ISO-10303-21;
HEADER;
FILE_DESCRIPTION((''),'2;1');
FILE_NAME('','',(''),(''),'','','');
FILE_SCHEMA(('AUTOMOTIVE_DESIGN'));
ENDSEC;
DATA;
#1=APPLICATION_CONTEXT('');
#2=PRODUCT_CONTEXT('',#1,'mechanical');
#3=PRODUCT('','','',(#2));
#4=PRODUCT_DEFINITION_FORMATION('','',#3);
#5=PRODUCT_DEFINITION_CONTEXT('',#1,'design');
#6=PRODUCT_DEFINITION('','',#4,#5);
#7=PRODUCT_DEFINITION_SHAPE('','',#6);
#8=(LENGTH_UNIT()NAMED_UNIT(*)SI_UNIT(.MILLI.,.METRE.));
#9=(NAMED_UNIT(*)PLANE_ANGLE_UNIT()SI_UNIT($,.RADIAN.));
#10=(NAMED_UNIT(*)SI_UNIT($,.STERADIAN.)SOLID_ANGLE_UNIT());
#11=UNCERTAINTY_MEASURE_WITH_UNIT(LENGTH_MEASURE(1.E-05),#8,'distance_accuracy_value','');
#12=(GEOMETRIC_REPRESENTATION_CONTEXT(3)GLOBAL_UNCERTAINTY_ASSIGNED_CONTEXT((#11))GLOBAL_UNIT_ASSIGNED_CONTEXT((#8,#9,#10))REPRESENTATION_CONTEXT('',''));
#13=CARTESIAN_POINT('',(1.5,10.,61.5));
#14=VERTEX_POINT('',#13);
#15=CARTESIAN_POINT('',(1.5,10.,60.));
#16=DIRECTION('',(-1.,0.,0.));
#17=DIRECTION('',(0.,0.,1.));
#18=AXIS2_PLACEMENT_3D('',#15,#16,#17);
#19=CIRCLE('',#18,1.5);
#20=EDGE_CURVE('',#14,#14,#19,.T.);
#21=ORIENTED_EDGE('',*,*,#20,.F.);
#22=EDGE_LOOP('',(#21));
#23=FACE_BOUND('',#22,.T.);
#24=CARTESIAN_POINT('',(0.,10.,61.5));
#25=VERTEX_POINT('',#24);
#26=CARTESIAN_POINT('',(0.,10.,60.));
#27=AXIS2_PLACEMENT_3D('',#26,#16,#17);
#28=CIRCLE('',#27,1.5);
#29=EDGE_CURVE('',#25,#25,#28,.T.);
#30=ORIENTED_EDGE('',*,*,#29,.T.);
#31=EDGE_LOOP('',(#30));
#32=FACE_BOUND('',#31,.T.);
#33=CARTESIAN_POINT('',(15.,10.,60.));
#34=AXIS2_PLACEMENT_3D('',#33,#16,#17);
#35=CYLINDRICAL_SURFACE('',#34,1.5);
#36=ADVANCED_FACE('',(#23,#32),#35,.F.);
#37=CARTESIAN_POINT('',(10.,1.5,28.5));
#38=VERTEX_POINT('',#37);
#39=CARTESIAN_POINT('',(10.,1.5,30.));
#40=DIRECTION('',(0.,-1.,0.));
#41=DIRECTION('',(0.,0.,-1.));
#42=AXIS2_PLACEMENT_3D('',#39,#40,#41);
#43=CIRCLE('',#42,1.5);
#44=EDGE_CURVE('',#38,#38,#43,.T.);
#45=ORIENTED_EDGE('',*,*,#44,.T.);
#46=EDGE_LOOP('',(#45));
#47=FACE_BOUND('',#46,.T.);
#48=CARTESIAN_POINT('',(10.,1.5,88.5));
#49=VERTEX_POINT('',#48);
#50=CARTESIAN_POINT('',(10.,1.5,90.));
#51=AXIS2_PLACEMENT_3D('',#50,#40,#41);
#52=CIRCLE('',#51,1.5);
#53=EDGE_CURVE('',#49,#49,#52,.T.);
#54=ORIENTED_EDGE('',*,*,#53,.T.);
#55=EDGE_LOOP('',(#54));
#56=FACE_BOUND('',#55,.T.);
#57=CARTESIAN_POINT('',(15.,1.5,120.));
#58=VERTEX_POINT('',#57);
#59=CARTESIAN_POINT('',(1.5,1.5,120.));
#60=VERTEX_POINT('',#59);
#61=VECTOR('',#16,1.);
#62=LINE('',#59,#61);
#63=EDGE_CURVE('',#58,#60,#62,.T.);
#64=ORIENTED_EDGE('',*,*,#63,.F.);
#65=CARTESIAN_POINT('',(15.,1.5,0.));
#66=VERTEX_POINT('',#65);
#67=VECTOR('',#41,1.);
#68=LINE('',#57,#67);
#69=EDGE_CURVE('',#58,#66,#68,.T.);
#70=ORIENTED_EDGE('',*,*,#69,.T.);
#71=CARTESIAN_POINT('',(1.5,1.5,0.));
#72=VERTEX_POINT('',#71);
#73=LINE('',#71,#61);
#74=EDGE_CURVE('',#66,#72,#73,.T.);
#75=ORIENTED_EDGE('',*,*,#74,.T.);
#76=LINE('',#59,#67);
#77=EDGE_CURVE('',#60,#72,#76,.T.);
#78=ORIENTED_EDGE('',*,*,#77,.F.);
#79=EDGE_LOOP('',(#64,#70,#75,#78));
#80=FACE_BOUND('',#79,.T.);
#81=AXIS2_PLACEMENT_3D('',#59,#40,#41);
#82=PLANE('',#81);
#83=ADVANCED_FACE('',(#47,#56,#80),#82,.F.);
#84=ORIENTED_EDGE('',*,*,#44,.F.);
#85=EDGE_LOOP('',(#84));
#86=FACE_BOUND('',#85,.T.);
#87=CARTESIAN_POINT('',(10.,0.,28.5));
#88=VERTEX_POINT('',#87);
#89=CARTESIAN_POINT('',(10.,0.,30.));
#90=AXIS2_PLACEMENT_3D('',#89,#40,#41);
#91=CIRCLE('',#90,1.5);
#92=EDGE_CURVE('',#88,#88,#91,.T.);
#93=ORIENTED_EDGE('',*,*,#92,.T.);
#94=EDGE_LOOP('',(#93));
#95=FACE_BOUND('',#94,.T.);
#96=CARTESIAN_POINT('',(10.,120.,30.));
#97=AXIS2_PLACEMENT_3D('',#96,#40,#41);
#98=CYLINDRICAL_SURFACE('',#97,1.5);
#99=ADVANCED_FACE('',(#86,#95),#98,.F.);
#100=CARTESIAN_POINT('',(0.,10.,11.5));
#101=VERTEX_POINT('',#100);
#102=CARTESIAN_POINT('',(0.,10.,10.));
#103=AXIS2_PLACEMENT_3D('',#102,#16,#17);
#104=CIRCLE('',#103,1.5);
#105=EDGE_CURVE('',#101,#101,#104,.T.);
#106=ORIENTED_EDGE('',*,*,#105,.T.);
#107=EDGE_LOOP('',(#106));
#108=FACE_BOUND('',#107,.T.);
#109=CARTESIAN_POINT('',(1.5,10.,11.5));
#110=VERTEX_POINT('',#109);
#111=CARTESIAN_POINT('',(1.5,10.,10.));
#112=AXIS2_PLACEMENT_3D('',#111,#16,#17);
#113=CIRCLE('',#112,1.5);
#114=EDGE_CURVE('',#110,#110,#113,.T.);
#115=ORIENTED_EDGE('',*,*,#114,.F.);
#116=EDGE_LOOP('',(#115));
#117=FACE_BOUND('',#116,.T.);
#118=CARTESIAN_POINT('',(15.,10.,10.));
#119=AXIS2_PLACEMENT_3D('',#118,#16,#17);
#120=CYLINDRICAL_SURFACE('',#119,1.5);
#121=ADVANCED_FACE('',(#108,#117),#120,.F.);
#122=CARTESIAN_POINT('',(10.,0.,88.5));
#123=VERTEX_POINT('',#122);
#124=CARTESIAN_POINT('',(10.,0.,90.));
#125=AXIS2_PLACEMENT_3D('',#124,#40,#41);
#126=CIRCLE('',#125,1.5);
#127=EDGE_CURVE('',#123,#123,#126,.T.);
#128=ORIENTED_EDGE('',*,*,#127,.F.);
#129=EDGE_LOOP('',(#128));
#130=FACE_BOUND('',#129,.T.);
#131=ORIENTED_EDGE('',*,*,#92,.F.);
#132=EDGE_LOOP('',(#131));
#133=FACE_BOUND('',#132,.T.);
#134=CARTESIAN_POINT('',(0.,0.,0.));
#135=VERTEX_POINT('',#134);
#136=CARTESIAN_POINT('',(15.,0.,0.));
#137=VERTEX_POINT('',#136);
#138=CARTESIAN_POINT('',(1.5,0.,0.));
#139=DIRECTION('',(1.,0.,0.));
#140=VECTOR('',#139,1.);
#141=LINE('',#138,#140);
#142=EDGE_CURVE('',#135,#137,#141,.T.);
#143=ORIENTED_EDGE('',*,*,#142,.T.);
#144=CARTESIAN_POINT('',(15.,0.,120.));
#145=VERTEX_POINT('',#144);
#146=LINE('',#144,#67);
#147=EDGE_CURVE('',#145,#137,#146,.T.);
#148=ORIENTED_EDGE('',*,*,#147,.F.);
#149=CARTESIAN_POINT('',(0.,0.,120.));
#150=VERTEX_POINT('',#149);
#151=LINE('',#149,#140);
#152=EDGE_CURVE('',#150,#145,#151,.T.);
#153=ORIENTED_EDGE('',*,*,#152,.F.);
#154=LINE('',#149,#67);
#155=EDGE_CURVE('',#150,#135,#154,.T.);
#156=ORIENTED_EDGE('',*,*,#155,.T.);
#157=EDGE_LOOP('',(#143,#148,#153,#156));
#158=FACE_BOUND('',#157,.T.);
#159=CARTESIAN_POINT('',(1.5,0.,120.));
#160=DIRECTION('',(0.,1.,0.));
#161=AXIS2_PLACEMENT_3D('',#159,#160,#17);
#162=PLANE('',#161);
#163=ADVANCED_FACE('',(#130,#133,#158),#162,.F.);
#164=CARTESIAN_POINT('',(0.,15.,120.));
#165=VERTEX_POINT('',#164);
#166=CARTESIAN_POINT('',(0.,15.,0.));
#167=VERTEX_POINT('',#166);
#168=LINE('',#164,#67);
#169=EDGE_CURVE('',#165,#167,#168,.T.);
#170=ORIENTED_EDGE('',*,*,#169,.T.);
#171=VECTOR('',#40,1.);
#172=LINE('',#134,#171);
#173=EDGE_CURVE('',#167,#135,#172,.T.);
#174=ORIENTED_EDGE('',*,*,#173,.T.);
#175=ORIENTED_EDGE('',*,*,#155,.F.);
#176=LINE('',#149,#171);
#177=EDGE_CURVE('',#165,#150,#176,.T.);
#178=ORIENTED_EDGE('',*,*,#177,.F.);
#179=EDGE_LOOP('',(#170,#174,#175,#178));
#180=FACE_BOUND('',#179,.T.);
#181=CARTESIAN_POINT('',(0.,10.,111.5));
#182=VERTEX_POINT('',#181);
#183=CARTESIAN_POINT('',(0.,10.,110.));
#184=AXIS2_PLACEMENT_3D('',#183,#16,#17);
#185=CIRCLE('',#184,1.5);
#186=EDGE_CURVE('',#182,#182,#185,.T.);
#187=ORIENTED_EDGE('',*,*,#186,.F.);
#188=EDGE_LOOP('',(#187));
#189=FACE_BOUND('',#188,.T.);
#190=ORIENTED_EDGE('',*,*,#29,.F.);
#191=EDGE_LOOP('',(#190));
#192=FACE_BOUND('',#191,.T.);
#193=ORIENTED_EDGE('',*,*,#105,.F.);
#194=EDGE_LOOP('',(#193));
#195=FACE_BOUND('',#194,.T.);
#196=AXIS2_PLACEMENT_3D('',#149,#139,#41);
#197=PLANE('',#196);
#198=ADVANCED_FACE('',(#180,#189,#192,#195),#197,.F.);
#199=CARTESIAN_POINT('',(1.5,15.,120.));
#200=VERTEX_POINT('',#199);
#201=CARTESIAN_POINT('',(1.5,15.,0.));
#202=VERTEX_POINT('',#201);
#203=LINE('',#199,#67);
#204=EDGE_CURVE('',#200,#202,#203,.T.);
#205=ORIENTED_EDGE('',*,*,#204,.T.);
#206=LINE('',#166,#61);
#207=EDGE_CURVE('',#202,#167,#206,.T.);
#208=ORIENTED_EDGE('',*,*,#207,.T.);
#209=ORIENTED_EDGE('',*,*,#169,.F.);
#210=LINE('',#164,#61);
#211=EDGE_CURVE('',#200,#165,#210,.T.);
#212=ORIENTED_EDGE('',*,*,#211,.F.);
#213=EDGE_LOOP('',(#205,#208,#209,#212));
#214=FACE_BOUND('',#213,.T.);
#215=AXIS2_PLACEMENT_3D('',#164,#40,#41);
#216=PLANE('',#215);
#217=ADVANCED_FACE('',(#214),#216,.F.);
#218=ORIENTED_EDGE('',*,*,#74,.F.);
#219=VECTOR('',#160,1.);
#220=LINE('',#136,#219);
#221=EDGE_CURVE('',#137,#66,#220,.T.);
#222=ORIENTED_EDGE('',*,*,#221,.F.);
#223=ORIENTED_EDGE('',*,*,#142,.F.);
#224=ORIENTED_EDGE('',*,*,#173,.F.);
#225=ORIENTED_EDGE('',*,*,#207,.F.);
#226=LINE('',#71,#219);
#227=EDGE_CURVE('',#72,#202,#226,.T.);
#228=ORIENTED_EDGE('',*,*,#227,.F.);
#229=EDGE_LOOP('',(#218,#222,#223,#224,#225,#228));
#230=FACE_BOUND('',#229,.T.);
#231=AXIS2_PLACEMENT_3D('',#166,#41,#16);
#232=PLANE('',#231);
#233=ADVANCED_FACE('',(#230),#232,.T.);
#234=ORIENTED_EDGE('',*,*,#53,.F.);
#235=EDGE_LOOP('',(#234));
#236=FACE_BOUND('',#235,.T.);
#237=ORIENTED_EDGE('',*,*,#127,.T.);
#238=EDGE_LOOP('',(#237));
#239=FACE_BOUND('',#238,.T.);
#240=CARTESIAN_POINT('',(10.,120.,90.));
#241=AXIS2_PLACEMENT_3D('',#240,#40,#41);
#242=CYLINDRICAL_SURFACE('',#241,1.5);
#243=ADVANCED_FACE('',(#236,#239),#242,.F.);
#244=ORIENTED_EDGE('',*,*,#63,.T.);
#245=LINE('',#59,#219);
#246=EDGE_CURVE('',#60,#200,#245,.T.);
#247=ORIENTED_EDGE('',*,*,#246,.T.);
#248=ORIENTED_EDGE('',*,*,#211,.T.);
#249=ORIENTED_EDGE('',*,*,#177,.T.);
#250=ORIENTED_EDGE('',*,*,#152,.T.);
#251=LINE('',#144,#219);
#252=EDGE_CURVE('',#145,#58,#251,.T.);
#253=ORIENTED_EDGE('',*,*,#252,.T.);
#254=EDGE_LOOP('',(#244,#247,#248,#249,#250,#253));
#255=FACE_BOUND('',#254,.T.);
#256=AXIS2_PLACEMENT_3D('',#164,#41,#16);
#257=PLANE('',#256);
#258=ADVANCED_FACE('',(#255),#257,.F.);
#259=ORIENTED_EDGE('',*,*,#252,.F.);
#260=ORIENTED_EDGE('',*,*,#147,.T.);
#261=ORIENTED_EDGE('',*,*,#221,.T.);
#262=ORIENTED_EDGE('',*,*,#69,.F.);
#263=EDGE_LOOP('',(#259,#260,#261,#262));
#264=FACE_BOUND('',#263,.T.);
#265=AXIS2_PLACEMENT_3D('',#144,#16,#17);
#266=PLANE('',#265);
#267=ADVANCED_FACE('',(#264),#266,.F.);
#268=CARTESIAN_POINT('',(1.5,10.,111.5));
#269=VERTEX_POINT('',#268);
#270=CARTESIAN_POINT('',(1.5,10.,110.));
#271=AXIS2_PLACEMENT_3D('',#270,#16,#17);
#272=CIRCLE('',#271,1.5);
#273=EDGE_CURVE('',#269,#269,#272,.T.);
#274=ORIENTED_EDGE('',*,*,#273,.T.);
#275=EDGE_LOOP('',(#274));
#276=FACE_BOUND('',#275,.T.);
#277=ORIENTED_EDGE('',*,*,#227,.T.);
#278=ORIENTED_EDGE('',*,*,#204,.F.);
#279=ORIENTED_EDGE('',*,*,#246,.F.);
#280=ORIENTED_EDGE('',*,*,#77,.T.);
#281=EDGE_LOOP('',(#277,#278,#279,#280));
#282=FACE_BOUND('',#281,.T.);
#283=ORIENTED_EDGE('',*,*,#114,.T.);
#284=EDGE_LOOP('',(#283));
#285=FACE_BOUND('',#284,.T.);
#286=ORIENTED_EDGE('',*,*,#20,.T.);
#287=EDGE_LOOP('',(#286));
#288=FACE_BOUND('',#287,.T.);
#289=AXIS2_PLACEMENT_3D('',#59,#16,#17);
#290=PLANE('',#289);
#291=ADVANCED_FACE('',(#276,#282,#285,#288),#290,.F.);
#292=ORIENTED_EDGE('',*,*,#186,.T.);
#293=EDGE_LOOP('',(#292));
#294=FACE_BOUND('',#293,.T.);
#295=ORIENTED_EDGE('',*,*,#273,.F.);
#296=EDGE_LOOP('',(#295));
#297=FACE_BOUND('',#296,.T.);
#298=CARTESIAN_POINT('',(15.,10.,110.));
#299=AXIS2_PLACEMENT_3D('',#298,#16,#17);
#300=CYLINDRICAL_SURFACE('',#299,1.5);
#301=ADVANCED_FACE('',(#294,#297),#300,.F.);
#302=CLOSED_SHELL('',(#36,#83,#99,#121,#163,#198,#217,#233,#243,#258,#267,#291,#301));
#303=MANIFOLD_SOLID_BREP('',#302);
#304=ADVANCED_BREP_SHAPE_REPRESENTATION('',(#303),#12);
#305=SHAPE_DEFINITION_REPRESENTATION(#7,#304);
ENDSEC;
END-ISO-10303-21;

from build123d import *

# Parameters (mm, degrees)
EXTRUSION1_DEPTH                = 120
ESQUISSE2_R                     = 1.5
EXTRUSION2_DEPTH                = 122.86057607
ESQUISSE3_R                     = 1.5
EXTRUSION3_DEPTH                = 120
R_P_TITION_LIN_AIRE1_COUNT      = 2
R_P_TITION_LIN_AIRE1_PITCH      = 60
R_P_TITION_LIN_AIRE2_COUNT      = 2
R_P_TITION_LIN_AIRE2_PITCH      = 50
R_P_TITION_LIN_AIRE2_COUNT_DIR2 = 2
R_P_TITION_LIN_AIRE2_PITCH_DIR2 = 50


with BuildPart() as part:
    # Esquisse1 → Extrusion1 (new body)
    with BuildSketch(Plane.XY):
        Polygon((0, 0), (1.5, 0), (15, 0), (15, 1.5), (1.5, 1.5), (1.5, 15), (0, 15), align=None)
    extrude(amount=EXTRUSION1_DEPTH)

    # Esquisse2 → Extrusion2 (cut, through all)
    with BuildSketch(Plane.ZY):
        with Locations((60, 10)):
            Circle(ESQUISSE2_R)
    extrusion2 = extrude(amount=-EXTRUSION2_DEPTH, mode=Mode.SUBTRACT)

    # Esquisse3 → Extrusion3 (cut)
    with BuildSketch(Plane.XZ):
        with Locations((10, 90)):
            Circle(ESQUISSE3_R)
    extrusion3 = extrude(amount=-EXTRUSION3_DEPTH, mode=Mode.SUBTRACT)

    # Répétition linéaire1: Extrusion3 ×2
    with Locations(*[(0, 0, -i * R_P_TITION_LIN_AIRE1_PITCH) for i in range(1, R_P_TITION_LIN_AIRE1_COUNT)]):
        add(extrusion3, mode=Mode.SUBTRACT)

    # Répétition linéaire2: Extrusion2 2 × 2
    with Locations(*[Vector(0, 0, 1) * (i * R_P_TITION_LIN_AIRE2_PITCH) + Vector(0, 0, -1) * (j * R_P_TITION_LIN_AIRE2_PITCH_DIR2) for i in range(R_P_TITION_LIN_AIRE2_COUNT) for j in range(R_P_TITION_LIN_AIRE2_COUNT_DIR2) if (i, j) != (0, 0)]):
        add(extrusion2, mode=Mode.SUBTRACT)


solid = part.part
